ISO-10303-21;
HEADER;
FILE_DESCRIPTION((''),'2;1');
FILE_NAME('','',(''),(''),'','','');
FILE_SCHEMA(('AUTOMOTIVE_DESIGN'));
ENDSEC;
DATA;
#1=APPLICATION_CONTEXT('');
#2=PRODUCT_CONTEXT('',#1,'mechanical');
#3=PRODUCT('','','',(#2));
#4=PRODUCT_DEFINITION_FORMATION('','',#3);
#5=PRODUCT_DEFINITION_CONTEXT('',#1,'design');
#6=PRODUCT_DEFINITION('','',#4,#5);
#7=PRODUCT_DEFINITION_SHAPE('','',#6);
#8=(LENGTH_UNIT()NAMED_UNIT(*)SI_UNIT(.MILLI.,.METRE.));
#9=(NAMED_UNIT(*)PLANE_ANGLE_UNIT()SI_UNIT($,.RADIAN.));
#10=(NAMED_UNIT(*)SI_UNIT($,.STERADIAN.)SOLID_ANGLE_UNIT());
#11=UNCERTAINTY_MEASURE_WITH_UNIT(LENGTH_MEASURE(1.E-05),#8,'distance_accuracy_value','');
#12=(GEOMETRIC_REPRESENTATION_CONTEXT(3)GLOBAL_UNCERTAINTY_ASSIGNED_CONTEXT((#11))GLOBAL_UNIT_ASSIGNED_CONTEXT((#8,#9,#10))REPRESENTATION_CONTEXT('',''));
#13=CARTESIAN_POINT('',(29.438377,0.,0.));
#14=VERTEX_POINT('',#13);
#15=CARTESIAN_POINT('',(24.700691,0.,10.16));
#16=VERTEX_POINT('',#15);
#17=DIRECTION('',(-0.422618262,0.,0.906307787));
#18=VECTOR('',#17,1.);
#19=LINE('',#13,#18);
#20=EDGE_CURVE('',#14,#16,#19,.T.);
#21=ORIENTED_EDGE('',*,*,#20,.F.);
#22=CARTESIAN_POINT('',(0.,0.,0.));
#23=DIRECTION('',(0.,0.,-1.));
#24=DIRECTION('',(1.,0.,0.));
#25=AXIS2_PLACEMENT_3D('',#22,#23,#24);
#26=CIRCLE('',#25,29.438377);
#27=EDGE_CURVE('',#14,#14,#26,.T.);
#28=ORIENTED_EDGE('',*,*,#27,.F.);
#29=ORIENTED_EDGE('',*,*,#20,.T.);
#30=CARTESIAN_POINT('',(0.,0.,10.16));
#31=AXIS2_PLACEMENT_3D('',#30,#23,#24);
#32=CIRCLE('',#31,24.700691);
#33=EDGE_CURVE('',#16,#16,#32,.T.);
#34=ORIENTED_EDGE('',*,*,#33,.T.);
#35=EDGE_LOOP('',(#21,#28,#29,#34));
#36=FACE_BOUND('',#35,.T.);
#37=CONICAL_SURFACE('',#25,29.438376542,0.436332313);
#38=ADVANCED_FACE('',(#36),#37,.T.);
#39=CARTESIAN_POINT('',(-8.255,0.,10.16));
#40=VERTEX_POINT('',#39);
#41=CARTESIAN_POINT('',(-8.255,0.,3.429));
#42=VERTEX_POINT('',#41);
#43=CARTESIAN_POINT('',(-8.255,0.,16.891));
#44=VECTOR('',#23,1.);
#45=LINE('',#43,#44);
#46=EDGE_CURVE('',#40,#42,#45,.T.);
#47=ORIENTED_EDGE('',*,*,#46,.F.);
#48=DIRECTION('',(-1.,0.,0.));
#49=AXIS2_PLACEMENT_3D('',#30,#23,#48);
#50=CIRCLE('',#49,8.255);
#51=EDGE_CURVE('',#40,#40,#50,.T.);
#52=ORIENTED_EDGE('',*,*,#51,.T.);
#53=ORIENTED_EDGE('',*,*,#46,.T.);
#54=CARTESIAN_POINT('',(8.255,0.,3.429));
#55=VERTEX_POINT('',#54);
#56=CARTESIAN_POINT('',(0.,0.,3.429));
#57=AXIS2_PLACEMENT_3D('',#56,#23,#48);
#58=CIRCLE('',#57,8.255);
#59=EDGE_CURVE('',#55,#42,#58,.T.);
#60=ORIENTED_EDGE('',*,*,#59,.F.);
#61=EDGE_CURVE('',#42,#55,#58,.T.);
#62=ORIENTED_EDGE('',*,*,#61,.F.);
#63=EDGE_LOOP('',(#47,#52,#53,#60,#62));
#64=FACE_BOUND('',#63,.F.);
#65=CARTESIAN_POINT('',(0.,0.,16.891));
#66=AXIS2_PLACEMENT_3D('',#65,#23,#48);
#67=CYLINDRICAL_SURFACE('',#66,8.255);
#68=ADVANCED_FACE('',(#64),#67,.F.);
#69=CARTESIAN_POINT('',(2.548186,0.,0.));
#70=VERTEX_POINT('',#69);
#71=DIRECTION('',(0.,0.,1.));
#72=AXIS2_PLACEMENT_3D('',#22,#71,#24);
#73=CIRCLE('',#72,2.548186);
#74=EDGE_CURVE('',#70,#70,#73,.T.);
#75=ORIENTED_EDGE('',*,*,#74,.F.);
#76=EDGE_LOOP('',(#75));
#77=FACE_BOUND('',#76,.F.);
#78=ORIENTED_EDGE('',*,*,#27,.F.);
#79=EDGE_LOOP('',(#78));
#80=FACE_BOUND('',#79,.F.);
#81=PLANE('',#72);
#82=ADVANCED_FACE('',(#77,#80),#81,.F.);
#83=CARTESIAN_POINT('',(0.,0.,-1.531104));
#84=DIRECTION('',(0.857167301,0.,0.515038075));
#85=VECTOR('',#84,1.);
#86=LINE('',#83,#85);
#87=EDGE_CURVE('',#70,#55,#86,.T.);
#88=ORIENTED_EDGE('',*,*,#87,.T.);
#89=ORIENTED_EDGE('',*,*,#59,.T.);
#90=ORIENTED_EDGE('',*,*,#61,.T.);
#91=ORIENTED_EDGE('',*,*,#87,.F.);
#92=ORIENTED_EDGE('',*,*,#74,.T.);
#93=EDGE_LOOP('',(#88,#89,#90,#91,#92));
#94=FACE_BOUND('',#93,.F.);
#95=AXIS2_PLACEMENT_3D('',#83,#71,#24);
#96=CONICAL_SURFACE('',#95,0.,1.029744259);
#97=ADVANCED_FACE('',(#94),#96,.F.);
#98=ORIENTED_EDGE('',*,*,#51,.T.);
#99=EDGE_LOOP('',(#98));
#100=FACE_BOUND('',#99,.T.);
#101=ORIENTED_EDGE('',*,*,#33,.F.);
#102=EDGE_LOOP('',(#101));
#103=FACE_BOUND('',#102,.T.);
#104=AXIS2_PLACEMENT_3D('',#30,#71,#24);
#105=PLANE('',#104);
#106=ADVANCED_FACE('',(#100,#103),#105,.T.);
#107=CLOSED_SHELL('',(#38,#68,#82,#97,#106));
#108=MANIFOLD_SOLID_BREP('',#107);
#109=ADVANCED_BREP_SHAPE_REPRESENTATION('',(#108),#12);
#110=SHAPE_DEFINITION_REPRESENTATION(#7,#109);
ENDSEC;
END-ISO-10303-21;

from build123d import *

# Parameters (mm, degrees)
F0_R     = 29.4383765416
F1_DEPTH = 10.16
F1_TAPER = 25
F3_D     = 16.51
F3_DEPTH = 6.731
F3_TIP   = 4.9601044101


with BuildPart() as f1:
    # F0 (on Top) → F1 (new body)
    with BuildSketch(Plane.XY):
        Circle(F0_R)
    extrude(amount=F1_DEPTH, taper=F1_TAPER)

    # F3
    with Locations(Plane.XY.offset(10.16)):
        with Locations((0, 0)):
            Hole(F3_D / 2, depth=F3_DEPTH)
            with Locations((0, 0, -(F3_DEPTH + F3_TIP / 2))):  # 118° drill point
                Cone(0, F3_D / 2, F3_TIP, mode=Mode.SUBTRACT)


solid = f1.part
